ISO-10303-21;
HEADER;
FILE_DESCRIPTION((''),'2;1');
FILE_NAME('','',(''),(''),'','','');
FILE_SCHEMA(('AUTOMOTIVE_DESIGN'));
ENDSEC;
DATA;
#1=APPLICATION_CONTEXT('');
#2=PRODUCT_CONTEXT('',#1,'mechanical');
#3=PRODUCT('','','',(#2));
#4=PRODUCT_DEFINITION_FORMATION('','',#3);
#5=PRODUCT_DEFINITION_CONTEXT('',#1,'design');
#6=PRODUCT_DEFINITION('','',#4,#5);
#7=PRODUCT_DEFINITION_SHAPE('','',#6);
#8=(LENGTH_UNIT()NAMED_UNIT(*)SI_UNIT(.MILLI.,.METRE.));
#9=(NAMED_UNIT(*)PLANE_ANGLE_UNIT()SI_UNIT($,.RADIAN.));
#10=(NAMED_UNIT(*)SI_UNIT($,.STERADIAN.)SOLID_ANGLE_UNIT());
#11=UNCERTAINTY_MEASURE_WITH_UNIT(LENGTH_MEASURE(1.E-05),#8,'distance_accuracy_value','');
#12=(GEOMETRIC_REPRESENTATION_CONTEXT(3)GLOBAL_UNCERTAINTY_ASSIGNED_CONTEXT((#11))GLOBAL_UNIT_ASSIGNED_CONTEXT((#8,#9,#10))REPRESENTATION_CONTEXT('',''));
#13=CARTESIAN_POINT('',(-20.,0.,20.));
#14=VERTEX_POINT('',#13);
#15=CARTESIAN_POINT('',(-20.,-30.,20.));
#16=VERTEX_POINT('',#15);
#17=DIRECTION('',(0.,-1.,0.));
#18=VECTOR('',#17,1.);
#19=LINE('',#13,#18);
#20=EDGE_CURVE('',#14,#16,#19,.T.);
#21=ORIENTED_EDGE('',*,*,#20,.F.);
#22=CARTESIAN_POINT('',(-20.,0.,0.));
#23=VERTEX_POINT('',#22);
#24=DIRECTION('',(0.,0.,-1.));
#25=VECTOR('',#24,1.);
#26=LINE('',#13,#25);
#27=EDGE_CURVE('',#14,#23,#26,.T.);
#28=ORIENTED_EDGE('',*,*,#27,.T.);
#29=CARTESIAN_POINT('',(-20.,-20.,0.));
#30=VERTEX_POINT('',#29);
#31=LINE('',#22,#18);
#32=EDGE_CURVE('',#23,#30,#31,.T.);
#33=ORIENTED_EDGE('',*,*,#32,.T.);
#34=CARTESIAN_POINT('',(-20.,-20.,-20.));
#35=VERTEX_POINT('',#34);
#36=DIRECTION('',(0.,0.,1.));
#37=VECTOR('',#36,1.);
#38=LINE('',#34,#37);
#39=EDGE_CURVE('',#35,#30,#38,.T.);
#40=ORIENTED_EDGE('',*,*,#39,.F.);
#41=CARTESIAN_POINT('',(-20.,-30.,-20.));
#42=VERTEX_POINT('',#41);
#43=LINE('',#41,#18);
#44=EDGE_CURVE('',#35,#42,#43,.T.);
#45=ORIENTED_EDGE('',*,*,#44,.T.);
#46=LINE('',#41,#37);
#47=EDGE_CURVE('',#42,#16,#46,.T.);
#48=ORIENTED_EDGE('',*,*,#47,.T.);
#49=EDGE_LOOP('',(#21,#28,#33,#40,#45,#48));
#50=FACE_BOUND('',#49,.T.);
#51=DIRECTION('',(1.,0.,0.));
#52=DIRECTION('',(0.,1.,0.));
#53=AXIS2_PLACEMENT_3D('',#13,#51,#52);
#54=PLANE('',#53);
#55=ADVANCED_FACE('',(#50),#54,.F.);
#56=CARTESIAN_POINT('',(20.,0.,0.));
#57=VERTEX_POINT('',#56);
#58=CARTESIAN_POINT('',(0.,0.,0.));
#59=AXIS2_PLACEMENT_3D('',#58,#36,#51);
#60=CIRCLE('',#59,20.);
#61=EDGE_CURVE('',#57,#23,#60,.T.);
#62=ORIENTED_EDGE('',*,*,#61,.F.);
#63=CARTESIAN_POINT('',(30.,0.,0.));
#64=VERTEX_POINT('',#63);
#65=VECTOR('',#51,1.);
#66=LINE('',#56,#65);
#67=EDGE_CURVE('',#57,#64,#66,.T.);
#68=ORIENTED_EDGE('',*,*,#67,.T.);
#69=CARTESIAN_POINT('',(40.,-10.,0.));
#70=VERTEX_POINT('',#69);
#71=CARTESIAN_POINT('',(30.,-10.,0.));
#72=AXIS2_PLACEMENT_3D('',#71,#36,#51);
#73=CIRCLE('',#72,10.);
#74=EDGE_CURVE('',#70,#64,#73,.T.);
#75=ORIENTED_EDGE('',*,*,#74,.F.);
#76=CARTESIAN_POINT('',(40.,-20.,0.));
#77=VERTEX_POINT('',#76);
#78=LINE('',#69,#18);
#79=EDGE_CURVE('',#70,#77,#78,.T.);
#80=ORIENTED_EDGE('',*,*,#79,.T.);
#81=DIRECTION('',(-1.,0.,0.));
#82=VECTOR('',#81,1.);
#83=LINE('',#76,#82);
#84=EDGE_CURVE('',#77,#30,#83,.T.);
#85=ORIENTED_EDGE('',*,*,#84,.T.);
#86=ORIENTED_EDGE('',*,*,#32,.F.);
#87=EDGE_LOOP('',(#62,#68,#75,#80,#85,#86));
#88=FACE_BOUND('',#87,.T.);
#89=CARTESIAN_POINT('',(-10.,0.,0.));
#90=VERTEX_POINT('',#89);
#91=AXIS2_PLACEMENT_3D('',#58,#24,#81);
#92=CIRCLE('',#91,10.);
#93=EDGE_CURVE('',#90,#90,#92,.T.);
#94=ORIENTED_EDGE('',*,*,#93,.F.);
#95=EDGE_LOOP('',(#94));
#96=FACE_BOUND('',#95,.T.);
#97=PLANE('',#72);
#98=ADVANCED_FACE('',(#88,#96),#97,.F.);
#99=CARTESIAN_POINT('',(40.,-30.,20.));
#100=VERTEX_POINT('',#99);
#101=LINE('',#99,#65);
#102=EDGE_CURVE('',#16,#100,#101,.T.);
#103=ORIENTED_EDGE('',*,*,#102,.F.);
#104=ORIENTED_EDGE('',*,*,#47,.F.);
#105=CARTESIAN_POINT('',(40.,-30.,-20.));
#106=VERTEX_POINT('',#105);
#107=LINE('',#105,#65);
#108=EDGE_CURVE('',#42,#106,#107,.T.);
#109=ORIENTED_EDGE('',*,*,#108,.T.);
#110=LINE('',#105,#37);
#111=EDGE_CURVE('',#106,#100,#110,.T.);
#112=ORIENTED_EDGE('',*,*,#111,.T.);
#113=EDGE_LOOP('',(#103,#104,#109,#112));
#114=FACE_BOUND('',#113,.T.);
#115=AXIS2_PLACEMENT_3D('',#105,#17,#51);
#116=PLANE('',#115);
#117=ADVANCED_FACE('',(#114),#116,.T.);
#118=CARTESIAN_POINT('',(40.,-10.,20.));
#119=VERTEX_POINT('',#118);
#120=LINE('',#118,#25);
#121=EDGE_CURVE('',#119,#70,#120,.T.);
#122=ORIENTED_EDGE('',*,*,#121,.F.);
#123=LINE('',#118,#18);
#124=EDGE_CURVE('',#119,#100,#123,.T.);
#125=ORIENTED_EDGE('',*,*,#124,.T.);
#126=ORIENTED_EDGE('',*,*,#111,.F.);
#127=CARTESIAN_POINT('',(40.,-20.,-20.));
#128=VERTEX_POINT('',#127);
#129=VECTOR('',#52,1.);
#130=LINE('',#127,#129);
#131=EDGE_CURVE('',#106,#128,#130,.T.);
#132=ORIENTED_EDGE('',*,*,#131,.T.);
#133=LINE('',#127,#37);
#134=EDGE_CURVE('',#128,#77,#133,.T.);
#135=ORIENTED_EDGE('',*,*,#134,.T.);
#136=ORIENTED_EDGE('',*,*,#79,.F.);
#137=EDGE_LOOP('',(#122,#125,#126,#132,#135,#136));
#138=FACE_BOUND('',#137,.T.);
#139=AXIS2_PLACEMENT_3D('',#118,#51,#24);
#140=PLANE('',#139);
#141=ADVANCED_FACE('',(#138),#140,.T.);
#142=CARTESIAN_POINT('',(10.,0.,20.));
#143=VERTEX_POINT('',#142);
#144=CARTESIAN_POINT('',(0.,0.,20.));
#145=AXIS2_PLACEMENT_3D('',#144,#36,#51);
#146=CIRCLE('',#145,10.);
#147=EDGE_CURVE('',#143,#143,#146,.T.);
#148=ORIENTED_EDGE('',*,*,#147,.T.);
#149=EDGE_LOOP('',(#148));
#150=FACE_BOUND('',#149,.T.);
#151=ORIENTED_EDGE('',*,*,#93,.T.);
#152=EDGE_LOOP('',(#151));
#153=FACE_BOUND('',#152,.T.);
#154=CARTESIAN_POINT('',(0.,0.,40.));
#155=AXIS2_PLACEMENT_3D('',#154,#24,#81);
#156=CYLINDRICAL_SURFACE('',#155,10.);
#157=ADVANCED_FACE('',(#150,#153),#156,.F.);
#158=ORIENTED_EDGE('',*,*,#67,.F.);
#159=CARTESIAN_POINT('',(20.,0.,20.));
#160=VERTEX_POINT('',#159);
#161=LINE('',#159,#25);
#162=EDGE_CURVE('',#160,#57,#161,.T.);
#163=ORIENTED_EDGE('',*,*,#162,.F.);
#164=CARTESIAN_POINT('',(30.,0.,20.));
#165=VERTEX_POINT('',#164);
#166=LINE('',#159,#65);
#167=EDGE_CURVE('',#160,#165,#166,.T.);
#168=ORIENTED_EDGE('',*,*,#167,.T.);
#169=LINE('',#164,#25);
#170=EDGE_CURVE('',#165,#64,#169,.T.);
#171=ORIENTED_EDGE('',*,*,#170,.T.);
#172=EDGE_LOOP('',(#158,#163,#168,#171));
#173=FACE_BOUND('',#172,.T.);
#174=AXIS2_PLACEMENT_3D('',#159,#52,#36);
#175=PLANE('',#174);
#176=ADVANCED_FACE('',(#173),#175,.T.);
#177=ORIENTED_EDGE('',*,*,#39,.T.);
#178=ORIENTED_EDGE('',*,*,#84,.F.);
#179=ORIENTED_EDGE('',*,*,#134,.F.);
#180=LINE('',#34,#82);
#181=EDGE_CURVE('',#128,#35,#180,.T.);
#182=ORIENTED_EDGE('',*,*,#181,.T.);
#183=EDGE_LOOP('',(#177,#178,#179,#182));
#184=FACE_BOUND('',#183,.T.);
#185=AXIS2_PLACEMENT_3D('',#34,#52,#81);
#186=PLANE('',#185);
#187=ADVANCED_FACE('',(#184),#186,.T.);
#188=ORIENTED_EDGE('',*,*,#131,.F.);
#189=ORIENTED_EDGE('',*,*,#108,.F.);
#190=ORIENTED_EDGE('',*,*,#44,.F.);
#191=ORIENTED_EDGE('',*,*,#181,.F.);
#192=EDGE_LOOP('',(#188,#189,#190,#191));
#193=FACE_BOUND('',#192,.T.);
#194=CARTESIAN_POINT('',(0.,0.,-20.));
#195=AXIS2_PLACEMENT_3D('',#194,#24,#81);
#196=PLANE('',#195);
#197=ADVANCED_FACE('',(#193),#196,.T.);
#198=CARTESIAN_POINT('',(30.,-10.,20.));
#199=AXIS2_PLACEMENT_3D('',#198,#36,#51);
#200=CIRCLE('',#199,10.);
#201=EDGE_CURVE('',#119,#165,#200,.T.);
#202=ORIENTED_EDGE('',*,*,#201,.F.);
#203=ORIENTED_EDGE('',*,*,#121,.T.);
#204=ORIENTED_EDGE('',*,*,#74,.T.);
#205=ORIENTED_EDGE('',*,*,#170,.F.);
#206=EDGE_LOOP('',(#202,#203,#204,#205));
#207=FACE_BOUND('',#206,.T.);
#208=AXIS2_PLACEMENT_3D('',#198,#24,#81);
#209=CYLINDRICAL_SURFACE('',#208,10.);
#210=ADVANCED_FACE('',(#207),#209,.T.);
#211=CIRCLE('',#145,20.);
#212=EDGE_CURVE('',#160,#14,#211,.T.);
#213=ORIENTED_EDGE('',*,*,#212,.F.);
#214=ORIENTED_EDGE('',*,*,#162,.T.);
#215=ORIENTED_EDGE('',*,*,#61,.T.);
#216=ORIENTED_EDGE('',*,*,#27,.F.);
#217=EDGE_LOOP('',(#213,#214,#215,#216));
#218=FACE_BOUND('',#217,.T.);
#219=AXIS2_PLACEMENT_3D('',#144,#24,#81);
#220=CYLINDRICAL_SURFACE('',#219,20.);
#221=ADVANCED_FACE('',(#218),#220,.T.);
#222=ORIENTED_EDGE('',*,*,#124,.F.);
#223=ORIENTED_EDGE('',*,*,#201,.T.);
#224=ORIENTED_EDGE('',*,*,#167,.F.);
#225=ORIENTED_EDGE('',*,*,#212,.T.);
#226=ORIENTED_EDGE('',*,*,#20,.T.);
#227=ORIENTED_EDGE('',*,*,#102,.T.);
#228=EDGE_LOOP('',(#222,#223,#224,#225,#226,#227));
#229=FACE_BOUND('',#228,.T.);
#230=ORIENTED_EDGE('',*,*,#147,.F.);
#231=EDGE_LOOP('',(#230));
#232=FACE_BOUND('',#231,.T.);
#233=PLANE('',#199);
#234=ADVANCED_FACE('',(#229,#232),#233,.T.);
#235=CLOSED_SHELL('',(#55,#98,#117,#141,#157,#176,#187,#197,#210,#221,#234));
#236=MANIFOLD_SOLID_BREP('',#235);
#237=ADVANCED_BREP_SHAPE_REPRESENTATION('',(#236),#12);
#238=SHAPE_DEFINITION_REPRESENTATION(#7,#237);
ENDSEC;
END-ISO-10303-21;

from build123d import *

# Parameters (mm, degrees)
BOSS_EXTRUDE4_DEPTH = 20
SKETCH6_W           = 60
SKETCH6_H           = 10
BOSS_EXTRUDE6_DEPTH = 40
SKETCH7_R           = 10
CUT_EXTRUDE2_DEPTH  = 40


with BuildPart() as part:
    # Sketch1 → Boss-Extrude4 (new body)
    with BuildSketch(Plane.XY):
        with BuildLine():
            Line((20, 0), (30, 0))
            ThreePointArc((30, 0), (37.071067812, -2.928932188), (40, -10))
            Line((40, -10), (40, -20))
            Line((40, -20), (-20, -20))
            Line((-20, -20), (-20, 0))
            ThreePointArc((-20, 0), (0, 20), (20, 0))
        make_face()
    extrude(amount=BOSS_EXTRUDE4_DEPTH)

    # Sketch6 → Boss-Extrude6 (add)
    with BuildSketch(Plane.XY.offset(20)):
        with Locations((10, -25)):
            Rectangle(SKETCH6_W, SKETCH6_H)
    extrude(amount=-BOSS_EXTRUDE6_DEPTH)

    # Sketch7 → Cut-Extrude2 (cut)
    with BuildSketch(Plane(origin=(0, 0, 0), x_dir=(-1, 0, 0), z_dir=(0, 0, -1))):
        Circle(SKETCH7_R)
    extrude(amount=-CUT_EXTRUDE2_DEPTH, mode=Mode.SUBTRACT)


solid = part.part
